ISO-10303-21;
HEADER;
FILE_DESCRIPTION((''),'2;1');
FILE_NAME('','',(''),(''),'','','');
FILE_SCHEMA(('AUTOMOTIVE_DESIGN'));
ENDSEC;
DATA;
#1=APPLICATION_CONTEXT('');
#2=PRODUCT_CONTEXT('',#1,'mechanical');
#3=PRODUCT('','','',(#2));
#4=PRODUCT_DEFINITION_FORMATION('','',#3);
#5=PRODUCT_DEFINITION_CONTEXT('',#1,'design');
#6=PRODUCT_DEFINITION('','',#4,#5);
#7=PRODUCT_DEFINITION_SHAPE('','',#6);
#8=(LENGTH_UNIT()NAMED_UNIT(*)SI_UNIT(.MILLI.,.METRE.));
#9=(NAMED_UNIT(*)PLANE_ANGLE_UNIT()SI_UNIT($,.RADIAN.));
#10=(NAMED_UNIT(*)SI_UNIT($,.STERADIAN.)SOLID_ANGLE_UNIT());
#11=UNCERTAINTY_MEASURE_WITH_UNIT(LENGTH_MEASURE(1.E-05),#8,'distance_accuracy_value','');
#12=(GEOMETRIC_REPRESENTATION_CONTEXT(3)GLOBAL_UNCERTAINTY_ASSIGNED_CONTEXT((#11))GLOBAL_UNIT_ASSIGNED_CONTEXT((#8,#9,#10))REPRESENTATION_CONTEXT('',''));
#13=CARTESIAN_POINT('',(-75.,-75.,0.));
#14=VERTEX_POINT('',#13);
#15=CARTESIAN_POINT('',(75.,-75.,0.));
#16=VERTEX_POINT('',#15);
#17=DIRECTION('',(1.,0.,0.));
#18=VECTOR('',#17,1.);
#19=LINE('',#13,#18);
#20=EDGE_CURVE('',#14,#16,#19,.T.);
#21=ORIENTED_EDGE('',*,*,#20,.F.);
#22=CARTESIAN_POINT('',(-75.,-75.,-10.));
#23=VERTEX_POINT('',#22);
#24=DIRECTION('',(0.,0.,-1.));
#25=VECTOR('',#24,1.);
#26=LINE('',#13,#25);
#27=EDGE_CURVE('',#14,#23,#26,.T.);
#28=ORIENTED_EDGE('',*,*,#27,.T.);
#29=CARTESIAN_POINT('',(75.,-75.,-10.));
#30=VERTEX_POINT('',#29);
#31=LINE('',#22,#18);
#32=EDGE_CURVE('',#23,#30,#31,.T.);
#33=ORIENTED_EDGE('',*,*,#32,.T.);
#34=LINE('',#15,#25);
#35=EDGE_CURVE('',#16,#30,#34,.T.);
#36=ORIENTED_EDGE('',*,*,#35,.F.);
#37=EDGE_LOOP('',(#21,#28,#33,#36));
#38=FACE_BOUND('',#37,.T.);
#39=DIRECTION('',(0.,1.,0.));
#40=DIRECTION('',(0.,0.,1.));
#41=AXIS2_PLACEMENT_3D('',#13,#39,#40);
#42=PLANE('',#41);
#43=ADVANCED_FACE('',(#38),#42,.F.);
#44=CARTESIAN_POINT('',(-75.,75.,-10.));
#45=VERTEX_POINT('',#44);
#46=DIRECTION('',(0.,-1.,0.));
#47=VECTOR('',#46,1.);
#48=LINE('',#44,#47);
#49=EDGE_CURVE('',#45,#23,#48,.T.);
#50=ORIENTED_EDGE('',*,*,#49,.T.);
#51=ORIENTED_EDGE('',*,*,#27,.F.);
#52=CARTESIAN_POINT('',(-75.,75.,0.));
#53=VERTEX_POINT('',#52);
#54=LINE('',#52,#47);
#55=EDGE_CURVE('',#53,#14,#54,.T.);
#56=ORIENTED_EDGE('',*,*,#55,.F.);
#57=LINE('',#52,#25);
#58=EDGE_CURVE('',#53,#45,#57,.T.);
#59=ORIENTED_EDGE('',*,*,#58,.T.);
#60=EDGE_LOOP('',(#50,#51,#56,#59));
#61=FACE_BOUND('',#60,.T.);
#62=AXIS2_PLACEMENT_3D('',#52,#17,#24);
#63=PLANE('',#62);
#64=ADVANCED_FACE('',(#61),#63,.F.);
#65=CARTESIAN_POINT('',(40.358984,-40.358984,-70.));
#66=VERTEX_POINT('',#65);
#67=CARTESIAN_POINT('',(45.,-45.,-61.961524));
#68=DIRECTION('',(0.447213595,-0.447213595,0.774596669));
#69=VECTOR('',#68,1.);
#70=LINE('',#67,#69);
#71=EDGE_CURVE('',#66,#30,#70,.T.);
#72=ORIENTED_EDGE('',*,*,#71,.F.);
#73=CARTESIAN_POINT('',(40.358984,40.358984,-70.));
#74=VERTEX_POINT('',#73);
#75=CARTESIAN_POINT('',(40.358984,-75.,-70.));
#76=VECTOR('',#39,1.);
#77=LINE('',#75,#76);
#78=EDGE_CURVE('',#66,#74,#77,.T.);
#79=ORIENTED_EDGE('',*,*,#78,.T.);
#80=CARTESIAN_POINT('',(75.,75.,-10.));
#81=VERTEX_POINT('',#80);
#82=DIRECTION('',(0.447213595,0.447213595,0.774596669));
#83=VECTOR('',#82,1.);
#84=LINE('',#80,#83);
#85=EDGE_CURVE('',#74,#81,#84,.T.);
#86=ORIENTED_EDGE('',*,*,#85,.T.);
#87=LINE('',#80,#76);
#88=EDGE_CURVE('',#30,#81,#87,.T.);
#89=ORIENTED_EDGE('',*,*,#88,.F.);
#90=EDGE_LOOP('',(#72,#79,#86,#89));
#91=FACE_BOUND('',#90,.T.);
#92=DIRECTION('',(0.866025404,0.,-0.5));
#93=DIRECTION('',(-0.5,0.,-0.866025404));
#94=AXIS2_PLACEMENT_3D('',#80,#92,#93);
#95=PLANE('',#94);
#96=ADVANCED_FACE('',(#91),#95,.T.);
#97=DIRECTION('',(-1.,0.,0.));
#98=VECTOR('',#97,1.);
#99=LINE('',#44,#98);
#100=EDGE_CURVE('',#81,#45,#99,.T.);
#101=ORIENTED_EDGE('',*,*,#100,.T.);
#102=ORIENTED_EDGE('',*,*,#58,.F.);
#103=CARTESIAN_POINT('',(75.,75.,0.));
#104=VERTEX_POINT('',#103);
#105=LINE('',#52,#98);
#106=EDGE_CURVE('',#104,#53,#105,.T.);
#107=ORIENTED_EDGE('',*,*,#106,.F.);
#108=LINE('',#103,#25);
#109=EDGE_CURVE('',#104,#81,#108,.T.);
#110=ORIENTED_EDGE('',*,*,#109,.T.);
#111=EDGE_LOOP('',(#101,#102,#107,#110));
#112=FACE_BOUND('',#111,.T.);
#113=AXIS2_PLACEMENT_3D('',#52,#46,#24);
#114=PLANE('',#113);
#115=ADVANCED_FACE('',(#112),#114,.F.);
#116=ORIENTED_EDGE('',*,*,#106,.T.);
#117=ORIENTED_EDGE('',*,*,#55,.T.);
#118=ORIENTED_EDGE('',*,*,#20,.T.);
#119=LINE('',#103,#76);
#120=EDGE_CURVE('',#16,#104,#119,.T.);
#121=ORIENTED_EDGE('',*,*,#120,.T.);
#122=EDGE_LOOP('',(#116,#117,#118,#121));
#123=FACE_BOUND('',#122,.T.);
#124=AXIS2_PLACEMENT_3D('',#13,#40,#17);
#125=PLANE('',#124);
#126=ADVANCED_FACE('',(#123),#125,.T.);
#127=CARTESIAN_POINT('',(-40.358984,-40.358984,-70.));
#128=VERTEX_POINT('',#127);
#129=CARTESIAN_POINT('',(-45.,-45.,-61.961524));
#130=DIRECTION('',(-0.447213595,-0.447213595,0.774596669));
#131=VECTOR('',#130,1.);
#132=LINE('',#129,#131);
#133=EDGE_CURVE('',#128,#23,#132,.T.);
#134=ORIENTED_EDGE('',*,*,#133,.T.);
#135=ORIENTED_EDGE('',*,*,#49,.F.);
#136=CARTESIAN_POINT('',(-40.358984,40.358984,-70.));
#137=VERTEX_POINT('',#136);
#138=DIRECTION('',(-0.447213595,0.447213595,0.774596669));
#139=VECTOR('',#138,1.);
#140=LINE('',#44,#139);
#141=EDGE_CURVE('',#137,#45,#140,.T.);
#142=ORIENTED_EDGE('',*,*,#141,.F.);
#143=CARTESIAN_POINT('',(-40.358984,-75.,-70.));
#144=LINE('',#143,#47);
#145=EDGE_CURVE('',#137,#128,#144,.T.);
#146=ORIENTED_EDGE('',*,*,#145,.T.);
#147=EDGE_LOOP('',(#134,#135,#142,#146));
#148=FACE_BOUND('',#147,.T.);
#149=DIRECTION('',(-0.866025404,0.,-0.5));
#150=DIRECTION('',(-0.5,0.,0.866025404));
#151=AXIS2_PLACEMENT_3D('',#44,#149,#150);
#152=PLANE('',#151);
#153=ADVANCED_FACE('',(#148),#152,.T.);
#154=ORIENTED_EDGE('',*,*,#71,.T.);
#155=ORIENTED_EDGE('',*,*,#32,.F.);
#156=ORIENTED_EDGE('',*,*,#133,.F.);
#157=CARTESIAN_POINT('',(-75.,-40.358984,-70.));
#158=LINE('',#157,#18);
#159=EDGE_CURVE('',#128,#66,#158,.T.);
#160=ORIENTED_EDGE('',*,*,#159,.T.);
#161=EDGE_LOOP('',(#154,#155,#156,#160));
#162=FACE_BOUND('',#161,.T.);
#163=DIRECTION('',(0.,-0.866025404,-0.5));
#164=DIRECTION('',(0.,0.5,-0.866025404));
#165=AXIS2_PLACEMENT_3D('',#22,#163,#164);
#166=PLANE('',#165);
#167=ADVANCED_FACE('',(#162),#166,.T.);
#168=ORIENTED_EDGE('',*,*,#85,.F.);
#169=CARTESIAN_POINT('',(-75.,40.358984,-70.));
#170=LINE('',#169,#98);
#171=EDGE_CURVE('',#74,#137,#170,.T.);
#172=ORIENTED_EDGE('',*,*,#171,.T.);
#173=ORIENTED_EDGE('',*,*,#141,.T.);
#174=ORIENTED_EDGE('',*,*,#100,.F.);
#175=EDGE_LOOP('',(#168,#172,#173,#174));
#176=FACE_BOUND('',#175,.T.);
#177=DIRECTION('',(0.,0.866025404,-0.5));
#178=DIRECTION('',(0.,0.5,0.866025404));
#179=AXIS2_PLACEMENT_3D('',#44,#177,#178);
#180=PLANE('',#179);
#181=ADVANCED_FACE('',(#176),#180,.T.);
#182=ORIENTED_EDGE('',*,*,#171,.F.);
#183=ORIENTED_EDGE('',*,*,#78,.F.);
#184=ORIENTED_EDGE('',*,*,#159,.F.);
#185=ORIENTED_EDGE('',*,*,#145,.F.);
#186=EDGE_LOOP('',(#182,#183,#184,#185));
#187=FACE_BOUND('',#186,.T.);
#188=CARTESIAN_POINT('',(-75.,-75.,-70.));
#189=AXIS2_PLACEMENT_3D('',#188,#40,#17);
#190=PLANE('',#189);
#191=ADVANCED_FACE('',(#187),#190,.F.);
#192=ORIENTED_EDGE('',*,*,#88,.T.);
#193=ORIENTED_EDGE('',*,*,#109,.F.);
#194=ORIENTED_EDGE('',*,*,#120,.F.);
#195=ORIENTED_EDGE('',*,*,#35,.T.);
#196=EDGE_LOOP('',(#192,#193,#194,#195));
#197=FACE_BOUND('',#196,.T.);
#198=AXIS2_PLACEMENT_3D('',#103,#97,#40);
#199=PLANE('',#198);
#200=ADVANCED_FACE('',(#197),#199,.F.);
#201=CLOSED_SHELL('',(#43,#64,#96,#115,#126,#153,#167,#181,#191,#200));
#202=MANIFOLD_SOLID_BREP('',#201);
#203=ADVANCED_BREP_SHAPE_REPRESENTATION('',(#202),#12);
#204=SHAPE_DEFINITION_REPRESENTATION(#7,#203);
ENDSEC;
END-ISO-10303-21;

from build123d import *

# Parameters (mm, degrees)
EXTRUDE1_START           = -10
SKETCH1_W                = 150
SKETCH1_H                = 150
EXTRUDE1_DEPTH           = 10
EXTRUDE1_OTHER_WAY_DEPTH = 60
EXTRUDE1_OTHER_WAY_TAPER = 30


with BuildPart() as part:
    # Sketch1 → Extrude1 (new body)
    with BuildSketch(Plane.XY.offset(EXTRUDE1_START)):
        Rectangle(SKETCH1_W, SKETCH1_H)
    extrude(amount=EXTRUDE1_DEPTH)

    # Sketch1 → Extrude1 other way (add)
    with BuildSketch(Plane.XY.offset(EXTRUDE1_START)):
        Rectangle(SKETCH1_W, SKETCH1_H)
    extrude(amount=-EXTRUDE1_OTHER_WAY_DEPTH, taper=EXTRUDE1_OTHER_WAY_TAPER)


solid = part.part
